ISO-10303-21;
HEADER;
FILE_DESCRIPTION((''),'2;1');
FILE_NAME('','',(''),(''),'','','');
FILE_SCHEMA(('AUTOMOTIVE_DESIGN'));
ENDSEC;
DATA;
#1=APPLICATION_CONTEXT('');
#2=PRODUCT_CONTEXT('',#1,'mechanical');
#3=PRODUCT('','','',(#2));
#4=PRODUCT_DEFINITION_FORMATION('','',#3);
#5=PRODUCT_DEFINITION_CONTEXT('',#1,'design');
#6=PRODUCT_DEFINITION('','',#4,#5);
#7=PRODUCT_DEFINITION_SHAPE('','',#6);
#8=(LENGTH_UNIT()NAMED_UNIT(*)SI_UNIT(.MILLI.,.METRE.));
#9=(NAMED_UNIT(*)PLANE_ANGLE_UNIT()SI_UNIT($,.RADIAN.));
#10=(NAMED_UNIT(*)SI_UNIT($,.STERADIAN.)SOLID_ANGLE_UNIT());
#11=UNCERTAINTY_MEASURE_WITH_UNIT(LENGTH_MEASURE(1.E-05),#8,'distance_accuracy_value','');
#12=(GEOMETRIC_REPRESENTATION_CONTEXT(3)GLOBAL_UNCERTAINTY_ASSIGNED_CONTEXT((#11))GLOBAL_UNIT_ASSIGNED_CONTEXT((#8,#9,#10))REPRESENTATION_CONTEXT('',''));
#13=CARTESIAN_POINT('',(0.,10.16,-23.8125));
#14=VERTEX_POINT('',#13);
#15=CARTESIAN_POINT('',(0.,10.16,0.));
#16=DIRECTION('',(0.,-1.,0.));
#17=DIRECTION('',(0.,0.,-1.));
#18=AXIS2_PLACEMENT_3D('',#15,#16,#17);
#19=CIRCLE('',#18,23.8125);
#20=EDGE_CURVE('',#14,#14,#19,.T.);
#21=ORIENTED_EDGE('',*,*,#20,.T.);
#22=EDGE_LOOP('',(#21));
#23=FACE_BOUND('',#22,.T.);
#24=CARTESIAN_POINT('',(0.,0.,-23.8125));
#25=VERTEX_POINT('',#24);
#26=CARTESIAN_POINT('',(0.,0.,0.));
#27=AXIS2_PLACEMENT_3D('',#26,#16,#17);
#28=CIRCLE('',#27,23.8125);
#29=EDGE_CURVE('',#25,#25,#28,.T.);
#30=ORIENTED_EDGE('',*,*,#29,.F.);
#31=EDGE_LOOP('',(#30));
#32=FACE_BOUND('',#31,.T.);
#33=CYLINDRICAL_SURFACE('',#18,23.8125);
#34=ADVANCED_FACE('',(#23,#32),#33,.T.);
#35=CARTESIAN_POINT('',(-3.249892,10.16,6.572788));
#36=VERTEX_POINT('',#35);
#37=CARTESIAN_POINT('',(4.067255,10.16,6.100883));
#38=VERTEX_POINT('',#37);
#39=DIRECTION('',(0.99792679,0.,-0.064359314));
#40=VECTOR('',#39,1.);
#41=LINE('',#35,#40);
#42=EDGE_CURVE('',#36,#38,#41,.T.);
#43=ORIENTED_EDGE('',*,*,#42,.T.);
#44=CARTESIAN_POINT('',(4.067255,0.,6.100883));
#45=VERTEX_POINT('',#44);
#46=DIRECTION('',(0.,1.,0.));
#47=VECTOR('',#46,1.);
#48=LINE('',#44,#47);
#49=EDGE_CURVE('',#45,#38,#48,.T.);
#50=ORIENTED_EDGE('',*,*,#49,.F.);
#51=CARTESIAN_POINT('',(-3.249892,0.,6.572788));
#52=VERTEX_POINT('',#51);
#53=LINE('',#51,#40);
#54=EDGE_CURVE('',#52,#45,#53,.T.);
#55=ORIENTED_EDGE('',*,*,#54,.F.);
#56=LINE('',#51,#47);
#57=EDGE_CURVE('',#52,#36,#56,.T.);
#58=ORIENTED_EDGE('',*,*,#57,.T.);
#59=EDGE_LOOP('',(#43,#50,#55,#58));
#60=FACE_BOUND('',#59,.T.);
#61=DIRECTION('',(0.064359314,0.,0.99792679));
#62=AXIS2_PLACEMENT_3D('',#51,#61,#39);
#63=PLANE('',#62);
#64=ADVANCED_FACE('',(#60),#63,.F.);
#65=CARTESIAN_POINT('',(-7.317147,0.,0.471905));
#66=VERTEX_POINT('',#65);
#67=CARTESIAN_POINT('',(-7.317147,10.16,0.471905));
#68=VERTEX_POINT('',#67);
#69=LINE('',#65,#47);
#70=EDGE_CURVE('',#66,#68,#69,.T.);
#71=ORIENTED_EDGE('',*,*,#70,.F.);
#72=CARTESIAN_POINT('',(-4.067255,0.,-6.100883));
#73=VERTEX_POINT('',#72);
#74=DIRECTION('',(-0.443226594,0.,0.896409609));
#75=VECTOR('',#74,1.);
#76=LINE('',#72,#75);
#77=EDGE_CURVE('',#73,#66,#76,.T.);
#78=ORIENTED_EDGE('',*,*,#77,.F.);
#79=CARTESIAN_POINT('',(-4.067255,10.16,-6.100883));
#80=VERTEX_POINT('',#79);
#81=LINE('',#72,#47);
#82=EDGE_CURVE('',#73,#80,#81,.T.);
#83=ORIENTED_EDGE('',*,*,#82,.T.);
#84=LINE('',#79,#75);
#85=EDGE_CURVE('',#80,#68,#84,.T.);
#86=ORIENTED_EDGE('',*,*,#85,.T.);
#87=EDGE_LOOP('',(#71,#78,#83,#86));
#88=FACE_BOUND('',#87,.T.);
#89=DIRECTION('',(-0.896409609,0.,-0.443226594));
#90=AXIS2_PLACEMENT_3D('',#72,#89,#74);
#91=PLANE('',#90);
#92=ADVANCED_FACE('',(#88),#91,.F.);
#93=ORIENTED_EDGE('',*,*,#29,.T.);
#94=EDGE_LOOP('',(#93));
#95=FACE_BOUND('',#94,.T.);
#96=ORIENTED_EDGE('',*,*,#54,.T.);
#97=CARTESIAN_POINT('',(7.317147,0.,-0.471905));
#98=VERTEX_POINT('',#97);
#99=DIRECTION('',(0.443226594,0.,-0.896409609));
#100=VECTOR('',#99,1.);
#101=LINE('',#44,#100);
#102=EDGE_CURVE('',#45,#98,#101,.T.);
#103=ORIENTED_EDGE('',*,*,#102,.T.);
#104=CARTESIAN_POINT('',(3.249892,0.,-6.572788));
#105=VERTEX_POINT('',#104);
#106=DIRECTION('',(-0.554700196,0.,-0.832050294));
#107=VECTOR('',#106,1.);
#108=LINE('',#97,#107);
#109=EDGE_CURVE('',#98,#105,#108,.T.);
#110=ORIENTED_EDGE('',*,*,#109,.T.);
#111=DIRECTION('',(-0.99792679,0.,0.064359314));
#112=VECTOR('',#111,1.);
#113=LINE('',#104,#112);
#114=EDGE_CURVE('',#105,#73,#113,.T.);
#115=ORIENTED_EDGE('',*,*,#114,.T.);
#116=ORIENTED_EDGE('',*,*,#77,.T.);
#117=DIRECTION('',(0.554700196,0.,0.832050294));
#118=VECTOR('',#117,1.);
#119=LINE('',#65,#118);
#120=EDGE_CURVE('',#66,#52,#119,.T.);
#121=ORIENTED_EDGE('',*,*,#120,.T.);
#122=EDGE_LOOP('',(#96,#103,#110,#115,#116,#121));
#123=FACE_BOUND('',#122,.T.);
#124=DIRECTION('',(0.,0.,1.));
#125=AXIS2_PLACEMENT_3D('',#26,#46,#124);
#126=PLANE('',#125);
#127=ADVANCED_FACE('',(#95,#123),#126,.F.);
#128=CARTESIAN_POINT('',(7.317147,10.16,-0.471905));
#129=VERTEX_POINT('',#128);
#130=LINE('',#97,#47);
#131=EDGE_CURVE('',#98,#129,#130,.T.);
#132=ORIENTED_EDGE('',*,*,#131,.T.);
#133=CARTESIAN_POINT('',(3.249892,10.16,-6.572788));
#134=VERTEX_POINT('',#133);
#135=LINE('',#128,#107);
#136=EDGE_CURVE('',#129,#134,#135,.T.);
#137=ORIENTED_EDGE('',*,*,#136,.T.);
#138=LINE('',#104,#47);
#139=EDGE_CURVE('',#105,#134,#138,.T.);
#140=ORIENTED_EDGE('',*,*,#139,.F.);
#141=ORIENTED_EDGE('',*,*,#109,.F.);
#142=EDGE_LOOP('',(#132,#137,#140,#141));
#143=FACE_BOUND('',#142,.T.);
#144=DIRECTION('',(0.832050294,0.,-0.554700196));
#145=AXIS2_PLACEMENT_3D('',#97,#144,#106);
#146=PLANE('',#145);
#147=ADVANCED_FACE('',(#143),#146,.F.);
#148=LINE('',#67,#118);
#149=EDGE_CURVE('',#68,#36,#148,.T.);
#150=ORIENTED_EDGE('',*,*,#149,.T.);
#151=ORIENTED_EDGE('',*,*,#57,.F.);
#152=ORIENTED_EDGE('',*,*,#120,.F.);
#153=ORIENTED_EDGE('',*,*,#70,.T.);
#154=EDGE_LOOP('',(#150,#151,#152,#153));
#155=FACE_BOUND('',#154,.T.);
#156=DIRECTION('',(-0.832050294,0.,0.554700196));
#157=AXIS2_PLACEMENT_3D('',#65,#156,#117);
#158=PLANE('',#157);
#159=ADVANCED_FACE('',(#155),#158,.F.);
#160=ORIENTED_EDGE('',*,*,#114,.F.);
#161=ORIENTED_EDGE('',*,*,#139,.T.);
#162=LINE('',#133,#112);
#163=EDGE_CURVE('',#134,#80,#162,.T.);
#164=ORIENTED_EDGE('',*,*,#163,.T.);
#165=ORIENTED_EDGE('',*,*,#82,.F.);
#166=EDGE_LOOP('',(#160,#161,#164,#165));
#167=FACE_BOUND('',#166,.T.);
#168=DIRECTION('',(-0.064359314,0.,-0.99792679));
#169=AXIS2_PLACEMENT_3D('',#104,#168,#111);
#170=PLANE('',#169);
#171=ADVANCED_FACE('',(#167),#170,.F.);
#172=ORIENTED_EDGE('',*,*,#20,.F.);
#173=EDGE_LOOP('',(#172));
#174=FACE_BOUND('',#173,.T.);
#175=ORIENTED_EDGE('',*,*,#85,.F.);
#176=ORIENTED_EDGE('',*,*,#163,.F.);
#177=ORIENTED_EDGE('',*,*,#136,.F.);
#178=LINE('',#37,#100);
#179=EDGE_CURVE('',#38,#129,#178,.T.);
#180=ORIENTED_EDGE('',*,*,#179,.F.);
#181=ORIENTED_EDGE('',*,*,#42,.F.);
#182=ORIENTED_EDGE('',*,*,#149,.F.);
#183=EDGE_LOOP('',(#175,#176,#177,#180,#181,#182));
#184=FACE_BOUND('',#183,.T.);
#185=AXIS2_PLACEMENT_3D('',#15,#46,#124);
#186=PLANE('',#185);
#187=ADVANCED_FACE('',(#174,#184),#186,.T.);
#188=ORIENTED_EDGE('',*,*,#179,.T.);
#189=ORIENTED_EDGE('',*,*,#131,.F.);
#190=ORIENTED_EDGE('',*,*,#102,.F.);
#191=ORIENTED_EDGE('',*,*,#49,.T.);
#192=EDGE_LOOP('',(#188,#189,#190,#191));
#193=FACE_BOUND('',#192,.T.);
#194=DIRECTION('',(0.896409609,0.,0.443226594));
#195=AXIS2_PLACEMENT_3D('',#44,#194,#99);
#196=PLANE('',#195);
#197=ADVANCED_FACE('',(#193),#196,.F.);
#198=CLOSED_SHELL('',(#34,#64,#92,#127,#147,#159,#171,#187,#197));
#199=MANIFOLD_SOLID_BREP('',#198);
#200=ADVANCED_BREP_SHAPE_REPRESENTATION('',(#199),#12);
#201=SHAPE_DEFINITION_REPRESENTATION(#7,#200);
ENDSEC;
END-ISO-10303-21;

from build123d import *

# Parameters (mm, degrees)
SKETCH1_R           = 30.1625
BOSS_EXTRUDE1_DEPTH = 10.16
CUT_EXTRUDE1_DEPTH  = 11.16
SKETCH3_R           = 30.1625
SKETCH3_R_2         = 23.8125
CUT_EXTRUDE2_DEPTH  = 11.16


with BuildPart() as part:
    # Sketch1 → Boss-Extrude1 (new body)
    with BuildSketch(Plane(origin=(0, 0, 0), x_dir=(1, 0, 0), z_dir=(0, 1, 0))):
        Circle(SKETCH1_R)
    extrude(amount=BOSS_EXTRUDE1_DEPTH)

    # Sketch2 → Cut-Extrude1 (cut, through all)
    with BuildSketch(Plane(origin=(0, 10.16, 0), x_dir=(1, 0, 0), z_dir=(0, 1, 0))):
        Polygon((4.067255107, -6.10088266), (7.317146922, 0.471904916), (3.249891816, 6.572787576), (-4.067255107, 6.10088266), (-7.317146922, -0.471904916), (-3.249891816, -6.572787576), align=None)
    extrude(amount=-CUT_EXTRUDE1_DEPTH, mode=Mode.SUBTRACT)

    # Sketch3 → Cut-Extrude2 (cut, through all)
    with BuildSketch(Plane(origin=(0, 0, 0), x_dir=(-1, 0, 0), z_dir=(0, -1, 0))):
        Circle(SKETCH3_R)
        Circle(SKETCH3_R_2, mode=Mode.SUBTRACT)
    extrude(amount=-CUT_EXTRUDE2_DEPTH, mode=Mode.SUBTRACT)


solid = part.part
